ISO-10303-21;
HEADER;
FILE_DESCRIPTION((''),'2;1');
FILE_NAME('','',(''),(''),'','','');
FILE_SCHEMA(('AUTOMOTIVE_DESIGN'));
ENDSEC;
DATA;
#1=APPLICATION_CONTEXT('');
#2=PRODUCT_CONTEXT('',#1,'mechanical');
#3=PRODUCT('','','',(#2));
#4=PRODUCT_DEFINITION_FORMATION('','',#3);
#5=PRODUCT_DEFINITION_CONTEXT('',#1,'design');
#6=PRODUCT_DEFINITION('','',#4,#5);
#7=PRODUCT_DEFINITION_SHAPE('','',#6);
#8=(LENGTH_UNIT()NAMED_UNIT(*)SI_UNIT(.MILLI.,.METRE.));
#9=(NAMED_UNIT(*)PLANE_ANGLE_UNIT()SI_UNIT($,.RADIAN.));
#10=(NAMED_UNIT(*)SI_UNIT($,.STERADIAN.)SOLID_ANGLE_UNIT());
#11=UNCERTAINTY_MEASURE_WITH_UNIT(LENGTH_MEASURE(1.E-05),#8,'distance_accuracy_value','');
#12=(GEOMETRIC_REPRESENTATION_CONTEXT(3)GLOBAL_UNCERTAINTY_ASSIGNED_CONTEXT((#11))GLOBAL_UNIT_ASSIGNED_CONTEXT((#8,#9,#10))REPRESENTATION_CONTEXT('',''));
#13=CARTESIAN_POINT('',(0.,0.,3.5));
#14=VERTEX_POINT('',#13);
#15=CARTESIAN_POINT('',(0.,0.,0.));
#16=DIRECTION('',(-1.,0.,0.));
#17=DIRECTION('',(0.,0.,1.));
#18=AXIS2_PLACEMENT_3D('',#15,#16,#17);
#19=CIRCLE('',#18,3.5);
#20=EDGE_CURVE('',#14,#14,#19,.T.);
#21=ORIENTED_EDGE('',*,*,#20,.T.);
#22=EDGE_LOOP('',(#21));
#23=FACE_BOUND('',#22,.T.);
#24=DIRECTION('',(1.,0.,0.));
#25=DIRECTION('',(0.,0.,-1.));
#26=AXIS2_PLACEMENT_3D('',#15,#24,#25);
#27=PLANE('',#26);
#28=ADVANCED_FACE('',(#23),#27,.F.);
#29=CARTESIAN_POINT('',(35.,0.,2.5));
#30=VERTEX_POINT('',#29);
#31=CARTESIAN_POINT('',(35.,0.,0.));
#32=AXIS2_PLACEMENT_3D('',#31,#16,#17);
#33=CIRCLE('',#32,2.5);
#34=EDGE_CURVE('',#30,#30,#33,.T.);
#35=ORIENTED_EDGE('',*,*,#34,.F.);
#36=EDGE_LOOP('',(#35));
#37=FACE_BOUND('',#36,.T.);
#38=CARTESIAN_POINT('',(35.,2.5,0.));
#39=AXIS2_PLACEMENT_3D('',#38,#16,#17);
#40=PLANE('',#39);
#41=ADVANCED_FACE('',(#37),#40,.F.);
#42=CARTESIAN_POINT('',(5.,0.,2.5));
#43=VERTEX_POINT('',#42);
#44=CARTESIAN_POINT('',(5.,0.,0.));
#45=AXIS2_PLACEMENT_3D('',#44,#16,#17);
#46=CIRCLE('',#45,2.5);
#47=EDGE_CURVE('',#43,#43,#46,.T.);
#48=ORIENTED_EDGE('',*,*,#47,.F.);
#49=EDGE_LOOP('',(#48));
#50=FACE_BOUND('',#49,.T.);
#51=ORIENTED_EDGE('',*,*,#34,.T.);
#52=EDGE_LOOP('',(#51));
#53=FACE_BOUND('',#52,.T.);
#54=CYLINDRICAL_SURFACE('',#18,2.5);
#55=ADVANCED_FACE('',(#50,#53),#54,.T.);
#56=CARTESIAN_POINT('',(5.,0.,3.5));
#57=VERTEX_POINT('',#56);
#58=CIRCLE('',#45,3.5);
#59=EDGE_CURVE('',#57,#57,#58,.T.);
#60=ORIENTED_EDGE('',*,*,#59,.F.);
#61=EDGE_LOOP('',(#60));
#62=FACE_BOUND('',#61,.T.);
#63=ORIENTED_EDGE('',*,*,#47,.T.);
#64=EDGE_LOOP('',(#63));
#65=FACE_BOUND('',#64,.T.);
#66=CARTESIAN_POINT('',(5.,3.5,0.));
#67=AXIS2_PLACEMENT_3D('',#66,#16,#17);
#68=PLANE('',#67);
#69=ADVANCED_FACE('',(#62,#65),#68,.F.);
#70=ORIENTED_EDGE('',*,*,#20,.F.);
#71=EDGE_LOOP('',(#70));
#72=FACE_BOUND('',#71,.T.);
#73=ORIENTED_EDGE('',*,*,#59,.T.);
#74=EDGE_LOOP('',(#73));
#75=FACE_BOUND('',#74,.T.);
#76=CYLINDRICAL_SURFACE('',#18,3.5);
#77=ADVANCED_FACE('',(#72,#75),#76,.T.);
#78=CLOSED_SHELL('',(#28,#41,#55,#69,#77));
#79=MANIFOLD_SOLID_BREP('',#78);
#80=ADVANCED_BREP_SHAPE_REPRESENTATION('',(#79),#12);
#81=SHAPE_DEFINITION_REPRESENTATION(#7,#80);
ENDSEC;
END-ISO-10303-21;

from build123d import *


with BuildPart() as part:
    # Sketch1 → Revolve1 (revolve)
    with BuildSketch(Plane.XY):
        Polygon((0, 0), (35, 0), (35, 2.5), (5, 2.5), (5, 3.5), (0, 3.5), align=None)
    revolve(axis=Axis((0, 0, 0), (1, 0, 0)))


solid = part.part
